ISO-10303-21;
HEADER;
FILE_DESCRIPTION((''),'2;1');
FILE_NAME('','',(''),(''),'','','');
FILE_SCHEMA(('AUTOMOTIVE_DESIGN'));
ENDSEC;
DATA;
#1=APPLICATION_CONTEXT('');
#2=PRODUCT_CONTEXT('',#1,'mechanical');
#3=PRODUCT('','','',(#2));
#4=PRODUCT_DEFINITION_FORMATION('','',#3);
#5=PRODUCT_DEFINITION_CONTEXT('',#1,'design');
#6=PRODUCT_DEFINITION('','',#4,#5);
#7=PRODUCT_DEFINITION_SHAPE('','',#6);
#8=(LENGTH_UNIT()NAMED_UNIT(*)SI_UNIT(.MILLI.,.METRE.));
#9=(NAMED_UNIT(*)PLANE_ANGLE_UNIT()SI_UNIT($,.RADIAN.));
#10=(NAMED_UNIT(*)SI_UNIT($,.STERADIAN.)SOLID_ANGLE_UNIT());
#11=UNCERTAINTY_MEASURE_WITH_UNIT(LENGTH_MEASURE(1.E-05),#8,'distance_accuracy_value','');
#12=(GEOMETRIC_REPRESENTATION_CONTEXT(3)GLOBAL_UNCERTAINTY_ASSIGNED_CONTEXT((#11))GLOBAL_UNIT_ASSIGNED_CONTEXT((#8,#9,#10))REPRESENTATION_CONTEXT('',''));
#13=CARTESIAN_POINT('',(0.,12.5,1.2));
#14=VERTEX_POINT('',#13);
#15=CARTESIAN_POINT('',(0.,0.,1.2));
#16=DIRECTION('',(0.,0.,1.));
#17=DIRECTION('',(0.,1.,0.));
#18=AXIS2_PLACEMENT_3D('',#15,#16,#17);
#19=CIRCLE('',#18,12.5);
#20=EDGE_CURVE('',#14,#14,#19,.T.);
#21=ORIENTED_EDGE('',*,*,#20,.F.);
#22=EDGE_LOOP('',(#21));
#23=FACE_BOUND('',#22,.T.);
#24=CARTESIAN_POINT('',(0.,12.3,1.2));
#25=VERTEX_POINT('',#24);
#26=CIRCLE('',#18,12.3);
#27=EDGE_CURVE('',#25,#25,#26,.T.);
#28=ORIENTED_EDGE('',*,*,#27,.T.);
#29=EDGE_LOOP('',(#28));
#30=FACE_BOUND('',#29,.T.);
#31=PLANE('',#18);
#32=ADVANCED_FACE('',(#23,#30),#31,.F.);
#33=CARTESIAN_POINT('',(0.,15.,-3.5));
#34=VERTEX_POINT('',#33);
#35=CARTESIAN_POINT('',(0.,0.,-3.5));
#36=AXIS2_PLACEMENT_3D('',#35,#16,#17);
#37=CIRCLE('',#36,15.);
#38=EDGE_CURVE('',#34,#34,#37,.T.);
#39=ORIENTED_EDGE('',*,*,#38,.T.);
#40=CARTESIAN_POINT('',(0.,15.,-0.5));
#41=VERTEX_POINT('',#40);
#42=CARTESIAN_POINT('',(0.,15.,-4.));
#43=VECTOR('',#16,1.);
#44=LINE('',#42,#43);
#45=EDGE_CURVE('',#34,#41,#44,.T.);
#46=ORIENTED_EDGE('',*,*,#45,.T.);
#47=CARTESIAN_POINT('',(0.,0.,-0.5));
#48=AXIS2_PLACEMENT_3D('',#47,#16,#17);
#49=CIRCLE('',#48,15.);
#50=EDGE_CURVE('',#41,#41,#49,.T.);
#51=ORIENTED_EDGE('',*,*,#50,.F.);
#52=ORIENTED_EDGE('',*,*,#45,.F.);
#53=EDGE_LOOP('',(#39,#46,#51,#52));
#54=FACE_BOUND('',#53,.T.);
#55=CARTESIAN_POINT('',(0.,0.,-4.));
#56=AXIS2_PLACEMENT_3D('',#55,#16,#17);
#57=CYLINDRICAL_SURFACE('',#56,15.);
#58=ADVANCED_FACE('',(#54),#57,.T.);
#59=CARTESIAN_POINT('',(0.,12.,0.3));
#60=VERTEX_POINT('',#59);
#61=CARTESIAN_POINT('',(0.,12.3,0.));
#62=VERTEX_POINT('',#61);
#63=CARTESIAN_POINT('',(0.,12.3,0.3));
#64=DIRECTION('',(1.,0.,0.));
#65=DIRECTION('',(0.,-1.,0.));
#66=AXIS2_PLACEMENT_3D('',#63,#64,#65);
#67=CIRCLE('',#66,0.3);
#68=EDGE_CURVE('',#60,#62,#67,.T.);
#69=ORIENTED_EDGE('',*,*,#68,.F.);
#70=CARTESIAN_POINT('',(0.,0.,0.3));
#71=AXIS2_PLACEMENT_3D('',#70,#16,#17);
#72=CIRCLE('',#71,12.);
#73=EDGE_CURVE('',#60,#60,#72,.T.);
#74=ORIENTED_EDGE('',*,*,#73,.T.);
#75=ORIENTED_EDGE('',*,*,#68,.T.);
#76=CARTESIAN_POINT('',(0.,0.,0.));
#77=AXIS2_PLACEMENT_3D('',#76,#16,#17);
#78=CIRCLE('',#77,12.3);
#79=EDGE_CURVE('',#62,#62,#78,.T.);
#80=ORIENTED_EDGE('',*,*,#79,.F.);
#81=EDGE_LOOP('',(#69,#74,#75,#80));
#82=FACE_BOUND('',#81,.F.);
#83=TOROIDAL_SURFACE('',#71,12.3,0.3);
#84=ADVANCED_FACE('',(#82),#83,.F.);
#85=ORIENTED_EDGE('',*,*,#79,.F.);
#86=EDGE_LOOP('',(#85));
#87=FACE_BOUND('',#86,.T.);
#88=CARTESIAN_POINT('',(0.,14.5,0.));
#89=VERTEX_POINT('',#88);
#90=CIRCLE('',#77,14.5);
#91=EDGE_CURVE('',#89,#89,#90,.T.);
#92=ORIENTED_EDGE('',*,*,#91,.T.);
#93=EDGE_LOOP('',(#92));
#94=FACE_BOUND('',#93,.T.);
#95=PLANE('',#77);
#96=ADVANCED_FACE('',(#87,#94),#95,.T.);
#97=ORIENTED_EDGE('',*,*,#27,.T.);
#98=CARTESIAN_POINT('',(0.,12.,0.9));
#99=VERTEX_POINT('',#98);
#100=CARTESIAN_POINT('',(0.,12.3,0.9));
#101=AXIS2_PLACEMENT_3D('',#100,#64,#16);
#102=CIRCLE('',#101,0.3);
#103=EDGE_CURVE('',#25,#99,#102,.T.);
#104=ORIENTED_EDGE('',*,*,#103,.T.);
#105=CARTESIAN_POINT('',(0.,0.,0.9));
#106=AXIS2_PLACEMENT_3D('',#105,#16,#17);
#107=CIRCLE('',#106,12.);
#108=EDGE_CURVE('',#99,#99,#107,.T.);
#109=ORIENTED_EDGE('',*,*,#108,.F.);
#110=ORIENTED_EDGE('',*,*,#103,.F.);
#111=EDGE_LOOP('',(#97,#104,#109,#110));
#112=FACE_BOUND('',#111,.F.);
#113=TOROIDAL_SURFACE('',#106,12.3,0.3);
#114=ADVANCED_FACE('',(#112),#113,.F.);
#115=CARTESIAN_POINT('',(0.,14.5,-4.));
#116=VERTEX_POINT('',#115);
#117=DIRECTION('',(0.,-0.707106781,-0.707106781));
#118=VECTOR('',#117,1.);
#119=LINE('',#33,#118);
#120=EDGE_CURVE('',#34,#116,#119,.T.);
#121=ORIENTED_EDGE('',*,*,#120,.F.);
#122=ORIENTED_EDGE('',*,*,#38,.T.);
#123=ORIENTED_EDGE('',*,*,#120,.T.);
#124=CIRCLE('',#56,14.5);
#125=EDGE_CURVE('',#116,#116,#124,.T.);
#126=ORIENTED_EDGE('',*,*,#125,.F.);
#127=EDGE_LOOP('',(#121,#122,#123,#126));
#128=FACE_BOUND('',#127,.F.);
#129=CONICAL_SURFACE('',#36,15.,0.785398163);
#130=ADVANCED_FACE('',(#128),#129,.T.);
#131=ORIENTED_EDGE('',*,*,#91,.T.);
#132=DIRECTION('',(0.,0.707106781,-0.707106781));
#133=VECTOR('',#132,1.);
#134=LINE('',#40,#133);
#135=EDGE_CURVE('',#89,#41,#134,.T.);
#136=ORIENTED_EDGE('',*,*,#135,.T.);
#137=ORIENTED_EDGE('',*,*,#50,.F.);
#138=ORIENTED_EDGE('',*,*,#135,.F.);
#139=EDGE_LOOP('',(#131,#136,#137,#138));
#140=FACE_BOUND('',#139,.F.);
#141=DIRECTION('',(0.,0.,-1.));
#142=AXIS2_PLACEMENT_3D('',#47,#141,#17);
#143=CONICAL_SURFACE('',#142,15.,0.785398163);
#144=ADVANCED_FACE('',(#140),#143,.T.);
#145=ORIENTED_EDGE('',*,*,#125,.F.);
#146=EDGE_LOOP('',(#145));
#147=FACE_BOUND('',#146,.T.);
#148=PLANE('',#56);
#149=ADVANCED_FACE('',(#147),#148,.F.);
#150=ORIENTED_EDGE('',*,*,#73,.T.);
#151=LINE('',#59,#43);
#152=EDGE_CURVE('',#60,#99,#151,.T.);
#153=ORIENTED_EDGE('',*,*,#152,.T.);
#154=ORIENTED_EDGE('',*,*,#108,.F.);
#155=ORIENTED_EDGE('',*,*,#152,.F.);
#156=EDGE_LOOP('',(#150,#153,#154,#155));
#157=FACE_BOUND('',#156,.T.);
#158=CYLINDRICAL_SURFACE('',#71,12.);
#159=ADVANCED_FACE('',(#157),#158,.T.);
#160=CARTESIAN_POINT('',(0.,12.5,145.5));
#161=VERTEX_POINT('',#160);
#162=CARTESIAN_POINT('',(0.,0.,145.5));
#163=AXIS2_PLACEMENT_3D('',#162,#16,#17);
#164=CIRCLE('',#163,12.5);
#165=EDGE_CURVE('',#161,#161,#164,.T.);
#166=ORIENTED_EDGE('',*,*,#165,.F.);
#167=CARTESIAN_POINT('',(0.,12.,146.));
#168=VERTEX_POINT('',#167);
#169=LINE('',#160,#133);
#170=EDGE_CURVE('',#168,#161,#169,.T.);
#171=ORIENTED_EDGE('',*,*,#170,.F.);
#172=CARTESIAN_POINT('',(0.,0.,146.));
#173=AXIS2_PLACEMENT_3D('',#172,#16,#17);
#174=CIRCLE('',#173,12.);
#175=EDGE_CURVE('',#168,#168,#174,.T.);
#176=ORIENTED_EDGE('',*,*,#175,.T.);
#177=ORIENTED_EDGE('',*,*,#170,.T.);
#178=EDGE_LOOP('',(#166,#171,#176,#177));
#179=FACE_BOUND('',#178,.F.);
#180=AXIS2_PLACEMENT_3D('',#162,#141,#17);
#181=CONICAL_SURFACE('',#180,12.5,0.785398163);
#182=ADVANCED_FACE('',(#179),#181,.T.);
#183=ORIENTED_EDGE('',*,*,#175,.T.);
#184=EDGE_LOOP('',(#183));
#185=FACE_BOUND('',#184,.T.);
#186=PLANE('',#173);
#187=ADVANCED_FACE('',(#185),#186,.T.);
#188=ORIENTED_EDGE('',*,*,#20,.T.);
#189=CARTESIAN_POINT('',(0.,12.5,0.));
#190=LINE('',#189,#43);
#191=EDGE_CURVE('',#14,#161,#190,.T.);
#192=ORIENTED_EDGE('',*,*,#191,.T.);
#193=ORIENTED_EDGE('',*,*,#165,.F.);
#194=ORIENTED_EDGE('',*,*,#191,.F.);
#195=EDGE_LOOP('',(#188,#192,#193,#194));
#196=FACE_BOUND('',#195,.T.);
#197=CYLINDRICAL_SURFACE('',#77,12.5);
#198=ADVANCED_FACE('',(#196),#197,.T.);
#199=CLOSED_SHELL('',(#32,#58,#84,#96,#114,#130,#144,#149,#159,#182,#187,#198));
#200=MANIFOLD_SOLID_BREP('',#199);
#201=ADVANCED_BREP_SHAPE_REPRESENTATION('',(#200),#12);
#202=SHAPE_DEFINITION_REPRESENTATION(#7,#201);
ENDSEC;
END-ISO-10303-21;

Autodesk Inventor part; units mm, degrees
ref_plane "YZ Plane" through (0, 0, 0) normal (1, 0, 0) x (0, 1, 0)
ref_plane "XZ Plane" through (0, 0, 0) normal (0, 1, 0) x (-1, 0, 0)
ref_plane "XY Plane" through (0, 0, 0) normal (0, 0, 1) x (1, 0, 0)
sketch "Sketch1" plane through (0, 0, 0) normal (1, 0, 0) x (0, 1, 0)
  line L0 (0, -15) -> (0, 62) projected
  line L1 (0, -4) -> (15, -4)
  line L2 (15, -4) -> (15, 0)
  line L3 (15, 0) -> (12.5, 0)
  line L4 (12.5, 0) -> (12.5, 146)
  line L5 (12.5, 146) -> (0, 146)
  line L6 (0, 146) -> (0, -4)
  point P0 (0, 0)
  dimension "d28" = 4
  dimension "d29" = 30
  dimension "d31" = 25
  dimension "d33" = 150
revolve "Revolution1" add sketch "Sketch1" angle 360 about axis through (0, 0, -10) along (0, 0, 1)
sketch "Sketch2" plane through (0, 0, 0) normal (1, 0, 0) x (0, 1, 0)
  line L0 (12.5, 146) -> (12.5, 0) construction
  line L1 (-12.5, 0) -> (12.5, 0) construction
  line L2 (12.5, 0) -> (12.3, 0)
  line L3 (12, 0.3) -> (12, 0.9)
  line L4 (12.3, 1.2) -> (12.5, 1.2)
  line L5 (12.5, 1.2) -> (12.5, 0)
  arc A0 (12.3, 1.2) -> (12, 0.9) centre (12.3, 0.9) ccw
  arc A1 (12, 0.3) -> (12.3, 0) centre (12.3, 0.3) ccw
  line L6 (0, -10.2746) -> (0, 61.2124) projected
  point P0 (0, 0)
  dimension "d45" = 0.3
  dimension "d46" = 1.2
  dimension "d47" = 0.5
revolve "Revolution2" cut sketch "Sketch2" angle 360 about axis through (0, 0, -10) along (0, 0, 1)
chamfer "Chamfer1" distance 0.5 angle 45 3 edges at (0, -12.5, 146) (0, -15, 0) (0, -15, -4)
equation "\"d28\" = H_"
equation "\"d29\" = D"
equation "\"d31\" = d_"
equation "\"d33\" = L"
equation "\"d_\" = 25"
equation "\"L\" = 150"
equation "\"D\" = 30"
equation "\"H_\" = 4"
properties part number "M-RPN25x150" material "SUJ 2"
